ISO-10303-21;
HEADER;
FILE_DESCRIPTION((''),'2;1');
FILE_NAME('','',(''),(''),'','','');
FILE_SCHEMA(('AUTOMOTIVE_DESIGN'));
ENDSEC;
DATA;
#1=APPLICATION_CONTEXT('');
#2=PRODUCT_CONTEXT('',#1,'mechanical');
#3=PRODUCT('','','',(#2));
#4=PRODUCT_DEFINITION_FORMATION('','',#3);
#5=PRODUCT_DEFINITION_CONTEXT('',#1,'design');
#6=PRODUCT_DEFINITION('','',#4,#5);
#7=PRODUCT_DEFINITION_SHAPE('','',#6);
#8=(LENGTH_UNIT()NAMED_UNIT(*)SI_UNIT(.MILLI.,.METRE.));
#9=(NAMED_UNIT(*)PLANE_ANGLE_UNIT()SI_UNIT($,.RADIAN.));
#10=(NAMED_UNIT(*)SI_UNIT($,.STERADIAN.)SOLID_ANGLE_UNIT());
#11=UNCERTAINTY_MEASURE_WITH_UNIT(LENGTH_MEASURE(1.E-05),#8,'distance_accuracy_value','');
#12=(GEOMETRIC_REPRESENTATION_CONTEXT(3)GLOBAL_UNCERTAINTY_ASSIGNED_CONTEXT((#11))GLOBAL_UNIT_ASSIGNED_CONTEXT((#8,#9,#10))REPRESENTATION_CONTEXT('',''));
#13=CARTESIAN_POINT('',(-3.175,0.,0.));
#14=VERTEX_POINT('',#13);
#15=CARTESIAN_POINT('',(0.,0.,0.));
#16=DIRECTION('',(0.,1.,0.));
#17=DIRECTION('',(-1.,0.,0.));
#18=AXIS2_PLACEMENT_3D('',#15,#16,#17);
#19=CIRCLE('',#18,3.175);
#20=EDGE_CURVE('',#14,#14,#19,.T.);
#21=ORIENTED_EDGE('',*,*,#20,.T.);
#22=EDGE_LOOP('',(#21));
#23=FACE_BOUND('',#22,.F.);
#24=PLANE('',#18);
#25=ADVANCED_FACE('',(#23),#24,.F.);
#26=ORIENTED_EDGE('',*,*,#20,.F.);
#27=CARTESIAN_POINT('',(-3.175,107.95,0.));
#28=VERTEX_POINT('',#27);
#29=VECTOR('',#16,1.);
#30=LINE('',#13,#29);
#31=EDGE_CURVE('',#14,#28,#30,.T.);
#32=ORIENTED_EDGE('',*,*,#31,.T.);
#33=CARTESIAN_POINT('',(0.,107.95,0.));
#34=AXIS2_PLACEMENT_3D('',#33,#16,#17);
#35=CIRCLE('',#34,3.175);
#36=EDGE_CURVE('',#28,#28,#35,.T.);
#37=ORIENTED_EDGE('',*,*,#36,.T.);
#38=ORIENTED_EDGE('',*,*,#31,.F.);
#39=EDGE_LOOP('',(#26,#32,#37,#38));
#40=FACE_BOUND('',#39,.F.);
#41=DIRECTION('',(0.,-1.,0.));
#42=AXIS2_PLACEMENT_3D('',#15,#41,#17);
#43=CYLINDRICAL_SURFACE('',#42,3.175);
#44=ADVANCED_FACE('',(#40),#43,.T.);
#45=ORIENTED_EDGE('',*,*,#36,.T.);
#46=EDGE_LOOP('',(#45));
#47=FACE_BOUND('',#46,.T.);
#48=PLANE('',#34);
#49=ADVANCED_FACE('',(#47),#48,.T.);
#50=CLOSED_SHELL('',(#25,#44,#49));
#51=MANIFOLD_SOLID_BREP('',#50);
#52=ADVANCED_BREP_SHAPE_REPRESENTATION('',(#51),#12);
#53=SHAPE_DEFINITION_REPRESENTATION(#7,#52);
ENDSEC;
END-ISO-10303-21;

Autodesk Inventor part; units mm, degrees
ref_plane "YZ Plane" through (0, 0, 0) normal (1, 0, 0) x (0, 1, 0)
ref_plane "XZ Plane" through (0, 0, 0) normal (0, 1, 0) x (-1, 0, 0)
ref_plane "XY Plane" through (0, 0, 0) normal (0, 0, 1) x (1, 0, 0)
sketch "Sketch1" plane through (0, 0, 0) normal (0, 1, 0) x (-1, 0, 0)
  circle A0 centre (0, 0) radius 3.175
  dimension "d0" = 6.35
extrude "Extrusion1" add sketch "Sketch1" along normal blind 107.95
properties part number "4inAxle"
